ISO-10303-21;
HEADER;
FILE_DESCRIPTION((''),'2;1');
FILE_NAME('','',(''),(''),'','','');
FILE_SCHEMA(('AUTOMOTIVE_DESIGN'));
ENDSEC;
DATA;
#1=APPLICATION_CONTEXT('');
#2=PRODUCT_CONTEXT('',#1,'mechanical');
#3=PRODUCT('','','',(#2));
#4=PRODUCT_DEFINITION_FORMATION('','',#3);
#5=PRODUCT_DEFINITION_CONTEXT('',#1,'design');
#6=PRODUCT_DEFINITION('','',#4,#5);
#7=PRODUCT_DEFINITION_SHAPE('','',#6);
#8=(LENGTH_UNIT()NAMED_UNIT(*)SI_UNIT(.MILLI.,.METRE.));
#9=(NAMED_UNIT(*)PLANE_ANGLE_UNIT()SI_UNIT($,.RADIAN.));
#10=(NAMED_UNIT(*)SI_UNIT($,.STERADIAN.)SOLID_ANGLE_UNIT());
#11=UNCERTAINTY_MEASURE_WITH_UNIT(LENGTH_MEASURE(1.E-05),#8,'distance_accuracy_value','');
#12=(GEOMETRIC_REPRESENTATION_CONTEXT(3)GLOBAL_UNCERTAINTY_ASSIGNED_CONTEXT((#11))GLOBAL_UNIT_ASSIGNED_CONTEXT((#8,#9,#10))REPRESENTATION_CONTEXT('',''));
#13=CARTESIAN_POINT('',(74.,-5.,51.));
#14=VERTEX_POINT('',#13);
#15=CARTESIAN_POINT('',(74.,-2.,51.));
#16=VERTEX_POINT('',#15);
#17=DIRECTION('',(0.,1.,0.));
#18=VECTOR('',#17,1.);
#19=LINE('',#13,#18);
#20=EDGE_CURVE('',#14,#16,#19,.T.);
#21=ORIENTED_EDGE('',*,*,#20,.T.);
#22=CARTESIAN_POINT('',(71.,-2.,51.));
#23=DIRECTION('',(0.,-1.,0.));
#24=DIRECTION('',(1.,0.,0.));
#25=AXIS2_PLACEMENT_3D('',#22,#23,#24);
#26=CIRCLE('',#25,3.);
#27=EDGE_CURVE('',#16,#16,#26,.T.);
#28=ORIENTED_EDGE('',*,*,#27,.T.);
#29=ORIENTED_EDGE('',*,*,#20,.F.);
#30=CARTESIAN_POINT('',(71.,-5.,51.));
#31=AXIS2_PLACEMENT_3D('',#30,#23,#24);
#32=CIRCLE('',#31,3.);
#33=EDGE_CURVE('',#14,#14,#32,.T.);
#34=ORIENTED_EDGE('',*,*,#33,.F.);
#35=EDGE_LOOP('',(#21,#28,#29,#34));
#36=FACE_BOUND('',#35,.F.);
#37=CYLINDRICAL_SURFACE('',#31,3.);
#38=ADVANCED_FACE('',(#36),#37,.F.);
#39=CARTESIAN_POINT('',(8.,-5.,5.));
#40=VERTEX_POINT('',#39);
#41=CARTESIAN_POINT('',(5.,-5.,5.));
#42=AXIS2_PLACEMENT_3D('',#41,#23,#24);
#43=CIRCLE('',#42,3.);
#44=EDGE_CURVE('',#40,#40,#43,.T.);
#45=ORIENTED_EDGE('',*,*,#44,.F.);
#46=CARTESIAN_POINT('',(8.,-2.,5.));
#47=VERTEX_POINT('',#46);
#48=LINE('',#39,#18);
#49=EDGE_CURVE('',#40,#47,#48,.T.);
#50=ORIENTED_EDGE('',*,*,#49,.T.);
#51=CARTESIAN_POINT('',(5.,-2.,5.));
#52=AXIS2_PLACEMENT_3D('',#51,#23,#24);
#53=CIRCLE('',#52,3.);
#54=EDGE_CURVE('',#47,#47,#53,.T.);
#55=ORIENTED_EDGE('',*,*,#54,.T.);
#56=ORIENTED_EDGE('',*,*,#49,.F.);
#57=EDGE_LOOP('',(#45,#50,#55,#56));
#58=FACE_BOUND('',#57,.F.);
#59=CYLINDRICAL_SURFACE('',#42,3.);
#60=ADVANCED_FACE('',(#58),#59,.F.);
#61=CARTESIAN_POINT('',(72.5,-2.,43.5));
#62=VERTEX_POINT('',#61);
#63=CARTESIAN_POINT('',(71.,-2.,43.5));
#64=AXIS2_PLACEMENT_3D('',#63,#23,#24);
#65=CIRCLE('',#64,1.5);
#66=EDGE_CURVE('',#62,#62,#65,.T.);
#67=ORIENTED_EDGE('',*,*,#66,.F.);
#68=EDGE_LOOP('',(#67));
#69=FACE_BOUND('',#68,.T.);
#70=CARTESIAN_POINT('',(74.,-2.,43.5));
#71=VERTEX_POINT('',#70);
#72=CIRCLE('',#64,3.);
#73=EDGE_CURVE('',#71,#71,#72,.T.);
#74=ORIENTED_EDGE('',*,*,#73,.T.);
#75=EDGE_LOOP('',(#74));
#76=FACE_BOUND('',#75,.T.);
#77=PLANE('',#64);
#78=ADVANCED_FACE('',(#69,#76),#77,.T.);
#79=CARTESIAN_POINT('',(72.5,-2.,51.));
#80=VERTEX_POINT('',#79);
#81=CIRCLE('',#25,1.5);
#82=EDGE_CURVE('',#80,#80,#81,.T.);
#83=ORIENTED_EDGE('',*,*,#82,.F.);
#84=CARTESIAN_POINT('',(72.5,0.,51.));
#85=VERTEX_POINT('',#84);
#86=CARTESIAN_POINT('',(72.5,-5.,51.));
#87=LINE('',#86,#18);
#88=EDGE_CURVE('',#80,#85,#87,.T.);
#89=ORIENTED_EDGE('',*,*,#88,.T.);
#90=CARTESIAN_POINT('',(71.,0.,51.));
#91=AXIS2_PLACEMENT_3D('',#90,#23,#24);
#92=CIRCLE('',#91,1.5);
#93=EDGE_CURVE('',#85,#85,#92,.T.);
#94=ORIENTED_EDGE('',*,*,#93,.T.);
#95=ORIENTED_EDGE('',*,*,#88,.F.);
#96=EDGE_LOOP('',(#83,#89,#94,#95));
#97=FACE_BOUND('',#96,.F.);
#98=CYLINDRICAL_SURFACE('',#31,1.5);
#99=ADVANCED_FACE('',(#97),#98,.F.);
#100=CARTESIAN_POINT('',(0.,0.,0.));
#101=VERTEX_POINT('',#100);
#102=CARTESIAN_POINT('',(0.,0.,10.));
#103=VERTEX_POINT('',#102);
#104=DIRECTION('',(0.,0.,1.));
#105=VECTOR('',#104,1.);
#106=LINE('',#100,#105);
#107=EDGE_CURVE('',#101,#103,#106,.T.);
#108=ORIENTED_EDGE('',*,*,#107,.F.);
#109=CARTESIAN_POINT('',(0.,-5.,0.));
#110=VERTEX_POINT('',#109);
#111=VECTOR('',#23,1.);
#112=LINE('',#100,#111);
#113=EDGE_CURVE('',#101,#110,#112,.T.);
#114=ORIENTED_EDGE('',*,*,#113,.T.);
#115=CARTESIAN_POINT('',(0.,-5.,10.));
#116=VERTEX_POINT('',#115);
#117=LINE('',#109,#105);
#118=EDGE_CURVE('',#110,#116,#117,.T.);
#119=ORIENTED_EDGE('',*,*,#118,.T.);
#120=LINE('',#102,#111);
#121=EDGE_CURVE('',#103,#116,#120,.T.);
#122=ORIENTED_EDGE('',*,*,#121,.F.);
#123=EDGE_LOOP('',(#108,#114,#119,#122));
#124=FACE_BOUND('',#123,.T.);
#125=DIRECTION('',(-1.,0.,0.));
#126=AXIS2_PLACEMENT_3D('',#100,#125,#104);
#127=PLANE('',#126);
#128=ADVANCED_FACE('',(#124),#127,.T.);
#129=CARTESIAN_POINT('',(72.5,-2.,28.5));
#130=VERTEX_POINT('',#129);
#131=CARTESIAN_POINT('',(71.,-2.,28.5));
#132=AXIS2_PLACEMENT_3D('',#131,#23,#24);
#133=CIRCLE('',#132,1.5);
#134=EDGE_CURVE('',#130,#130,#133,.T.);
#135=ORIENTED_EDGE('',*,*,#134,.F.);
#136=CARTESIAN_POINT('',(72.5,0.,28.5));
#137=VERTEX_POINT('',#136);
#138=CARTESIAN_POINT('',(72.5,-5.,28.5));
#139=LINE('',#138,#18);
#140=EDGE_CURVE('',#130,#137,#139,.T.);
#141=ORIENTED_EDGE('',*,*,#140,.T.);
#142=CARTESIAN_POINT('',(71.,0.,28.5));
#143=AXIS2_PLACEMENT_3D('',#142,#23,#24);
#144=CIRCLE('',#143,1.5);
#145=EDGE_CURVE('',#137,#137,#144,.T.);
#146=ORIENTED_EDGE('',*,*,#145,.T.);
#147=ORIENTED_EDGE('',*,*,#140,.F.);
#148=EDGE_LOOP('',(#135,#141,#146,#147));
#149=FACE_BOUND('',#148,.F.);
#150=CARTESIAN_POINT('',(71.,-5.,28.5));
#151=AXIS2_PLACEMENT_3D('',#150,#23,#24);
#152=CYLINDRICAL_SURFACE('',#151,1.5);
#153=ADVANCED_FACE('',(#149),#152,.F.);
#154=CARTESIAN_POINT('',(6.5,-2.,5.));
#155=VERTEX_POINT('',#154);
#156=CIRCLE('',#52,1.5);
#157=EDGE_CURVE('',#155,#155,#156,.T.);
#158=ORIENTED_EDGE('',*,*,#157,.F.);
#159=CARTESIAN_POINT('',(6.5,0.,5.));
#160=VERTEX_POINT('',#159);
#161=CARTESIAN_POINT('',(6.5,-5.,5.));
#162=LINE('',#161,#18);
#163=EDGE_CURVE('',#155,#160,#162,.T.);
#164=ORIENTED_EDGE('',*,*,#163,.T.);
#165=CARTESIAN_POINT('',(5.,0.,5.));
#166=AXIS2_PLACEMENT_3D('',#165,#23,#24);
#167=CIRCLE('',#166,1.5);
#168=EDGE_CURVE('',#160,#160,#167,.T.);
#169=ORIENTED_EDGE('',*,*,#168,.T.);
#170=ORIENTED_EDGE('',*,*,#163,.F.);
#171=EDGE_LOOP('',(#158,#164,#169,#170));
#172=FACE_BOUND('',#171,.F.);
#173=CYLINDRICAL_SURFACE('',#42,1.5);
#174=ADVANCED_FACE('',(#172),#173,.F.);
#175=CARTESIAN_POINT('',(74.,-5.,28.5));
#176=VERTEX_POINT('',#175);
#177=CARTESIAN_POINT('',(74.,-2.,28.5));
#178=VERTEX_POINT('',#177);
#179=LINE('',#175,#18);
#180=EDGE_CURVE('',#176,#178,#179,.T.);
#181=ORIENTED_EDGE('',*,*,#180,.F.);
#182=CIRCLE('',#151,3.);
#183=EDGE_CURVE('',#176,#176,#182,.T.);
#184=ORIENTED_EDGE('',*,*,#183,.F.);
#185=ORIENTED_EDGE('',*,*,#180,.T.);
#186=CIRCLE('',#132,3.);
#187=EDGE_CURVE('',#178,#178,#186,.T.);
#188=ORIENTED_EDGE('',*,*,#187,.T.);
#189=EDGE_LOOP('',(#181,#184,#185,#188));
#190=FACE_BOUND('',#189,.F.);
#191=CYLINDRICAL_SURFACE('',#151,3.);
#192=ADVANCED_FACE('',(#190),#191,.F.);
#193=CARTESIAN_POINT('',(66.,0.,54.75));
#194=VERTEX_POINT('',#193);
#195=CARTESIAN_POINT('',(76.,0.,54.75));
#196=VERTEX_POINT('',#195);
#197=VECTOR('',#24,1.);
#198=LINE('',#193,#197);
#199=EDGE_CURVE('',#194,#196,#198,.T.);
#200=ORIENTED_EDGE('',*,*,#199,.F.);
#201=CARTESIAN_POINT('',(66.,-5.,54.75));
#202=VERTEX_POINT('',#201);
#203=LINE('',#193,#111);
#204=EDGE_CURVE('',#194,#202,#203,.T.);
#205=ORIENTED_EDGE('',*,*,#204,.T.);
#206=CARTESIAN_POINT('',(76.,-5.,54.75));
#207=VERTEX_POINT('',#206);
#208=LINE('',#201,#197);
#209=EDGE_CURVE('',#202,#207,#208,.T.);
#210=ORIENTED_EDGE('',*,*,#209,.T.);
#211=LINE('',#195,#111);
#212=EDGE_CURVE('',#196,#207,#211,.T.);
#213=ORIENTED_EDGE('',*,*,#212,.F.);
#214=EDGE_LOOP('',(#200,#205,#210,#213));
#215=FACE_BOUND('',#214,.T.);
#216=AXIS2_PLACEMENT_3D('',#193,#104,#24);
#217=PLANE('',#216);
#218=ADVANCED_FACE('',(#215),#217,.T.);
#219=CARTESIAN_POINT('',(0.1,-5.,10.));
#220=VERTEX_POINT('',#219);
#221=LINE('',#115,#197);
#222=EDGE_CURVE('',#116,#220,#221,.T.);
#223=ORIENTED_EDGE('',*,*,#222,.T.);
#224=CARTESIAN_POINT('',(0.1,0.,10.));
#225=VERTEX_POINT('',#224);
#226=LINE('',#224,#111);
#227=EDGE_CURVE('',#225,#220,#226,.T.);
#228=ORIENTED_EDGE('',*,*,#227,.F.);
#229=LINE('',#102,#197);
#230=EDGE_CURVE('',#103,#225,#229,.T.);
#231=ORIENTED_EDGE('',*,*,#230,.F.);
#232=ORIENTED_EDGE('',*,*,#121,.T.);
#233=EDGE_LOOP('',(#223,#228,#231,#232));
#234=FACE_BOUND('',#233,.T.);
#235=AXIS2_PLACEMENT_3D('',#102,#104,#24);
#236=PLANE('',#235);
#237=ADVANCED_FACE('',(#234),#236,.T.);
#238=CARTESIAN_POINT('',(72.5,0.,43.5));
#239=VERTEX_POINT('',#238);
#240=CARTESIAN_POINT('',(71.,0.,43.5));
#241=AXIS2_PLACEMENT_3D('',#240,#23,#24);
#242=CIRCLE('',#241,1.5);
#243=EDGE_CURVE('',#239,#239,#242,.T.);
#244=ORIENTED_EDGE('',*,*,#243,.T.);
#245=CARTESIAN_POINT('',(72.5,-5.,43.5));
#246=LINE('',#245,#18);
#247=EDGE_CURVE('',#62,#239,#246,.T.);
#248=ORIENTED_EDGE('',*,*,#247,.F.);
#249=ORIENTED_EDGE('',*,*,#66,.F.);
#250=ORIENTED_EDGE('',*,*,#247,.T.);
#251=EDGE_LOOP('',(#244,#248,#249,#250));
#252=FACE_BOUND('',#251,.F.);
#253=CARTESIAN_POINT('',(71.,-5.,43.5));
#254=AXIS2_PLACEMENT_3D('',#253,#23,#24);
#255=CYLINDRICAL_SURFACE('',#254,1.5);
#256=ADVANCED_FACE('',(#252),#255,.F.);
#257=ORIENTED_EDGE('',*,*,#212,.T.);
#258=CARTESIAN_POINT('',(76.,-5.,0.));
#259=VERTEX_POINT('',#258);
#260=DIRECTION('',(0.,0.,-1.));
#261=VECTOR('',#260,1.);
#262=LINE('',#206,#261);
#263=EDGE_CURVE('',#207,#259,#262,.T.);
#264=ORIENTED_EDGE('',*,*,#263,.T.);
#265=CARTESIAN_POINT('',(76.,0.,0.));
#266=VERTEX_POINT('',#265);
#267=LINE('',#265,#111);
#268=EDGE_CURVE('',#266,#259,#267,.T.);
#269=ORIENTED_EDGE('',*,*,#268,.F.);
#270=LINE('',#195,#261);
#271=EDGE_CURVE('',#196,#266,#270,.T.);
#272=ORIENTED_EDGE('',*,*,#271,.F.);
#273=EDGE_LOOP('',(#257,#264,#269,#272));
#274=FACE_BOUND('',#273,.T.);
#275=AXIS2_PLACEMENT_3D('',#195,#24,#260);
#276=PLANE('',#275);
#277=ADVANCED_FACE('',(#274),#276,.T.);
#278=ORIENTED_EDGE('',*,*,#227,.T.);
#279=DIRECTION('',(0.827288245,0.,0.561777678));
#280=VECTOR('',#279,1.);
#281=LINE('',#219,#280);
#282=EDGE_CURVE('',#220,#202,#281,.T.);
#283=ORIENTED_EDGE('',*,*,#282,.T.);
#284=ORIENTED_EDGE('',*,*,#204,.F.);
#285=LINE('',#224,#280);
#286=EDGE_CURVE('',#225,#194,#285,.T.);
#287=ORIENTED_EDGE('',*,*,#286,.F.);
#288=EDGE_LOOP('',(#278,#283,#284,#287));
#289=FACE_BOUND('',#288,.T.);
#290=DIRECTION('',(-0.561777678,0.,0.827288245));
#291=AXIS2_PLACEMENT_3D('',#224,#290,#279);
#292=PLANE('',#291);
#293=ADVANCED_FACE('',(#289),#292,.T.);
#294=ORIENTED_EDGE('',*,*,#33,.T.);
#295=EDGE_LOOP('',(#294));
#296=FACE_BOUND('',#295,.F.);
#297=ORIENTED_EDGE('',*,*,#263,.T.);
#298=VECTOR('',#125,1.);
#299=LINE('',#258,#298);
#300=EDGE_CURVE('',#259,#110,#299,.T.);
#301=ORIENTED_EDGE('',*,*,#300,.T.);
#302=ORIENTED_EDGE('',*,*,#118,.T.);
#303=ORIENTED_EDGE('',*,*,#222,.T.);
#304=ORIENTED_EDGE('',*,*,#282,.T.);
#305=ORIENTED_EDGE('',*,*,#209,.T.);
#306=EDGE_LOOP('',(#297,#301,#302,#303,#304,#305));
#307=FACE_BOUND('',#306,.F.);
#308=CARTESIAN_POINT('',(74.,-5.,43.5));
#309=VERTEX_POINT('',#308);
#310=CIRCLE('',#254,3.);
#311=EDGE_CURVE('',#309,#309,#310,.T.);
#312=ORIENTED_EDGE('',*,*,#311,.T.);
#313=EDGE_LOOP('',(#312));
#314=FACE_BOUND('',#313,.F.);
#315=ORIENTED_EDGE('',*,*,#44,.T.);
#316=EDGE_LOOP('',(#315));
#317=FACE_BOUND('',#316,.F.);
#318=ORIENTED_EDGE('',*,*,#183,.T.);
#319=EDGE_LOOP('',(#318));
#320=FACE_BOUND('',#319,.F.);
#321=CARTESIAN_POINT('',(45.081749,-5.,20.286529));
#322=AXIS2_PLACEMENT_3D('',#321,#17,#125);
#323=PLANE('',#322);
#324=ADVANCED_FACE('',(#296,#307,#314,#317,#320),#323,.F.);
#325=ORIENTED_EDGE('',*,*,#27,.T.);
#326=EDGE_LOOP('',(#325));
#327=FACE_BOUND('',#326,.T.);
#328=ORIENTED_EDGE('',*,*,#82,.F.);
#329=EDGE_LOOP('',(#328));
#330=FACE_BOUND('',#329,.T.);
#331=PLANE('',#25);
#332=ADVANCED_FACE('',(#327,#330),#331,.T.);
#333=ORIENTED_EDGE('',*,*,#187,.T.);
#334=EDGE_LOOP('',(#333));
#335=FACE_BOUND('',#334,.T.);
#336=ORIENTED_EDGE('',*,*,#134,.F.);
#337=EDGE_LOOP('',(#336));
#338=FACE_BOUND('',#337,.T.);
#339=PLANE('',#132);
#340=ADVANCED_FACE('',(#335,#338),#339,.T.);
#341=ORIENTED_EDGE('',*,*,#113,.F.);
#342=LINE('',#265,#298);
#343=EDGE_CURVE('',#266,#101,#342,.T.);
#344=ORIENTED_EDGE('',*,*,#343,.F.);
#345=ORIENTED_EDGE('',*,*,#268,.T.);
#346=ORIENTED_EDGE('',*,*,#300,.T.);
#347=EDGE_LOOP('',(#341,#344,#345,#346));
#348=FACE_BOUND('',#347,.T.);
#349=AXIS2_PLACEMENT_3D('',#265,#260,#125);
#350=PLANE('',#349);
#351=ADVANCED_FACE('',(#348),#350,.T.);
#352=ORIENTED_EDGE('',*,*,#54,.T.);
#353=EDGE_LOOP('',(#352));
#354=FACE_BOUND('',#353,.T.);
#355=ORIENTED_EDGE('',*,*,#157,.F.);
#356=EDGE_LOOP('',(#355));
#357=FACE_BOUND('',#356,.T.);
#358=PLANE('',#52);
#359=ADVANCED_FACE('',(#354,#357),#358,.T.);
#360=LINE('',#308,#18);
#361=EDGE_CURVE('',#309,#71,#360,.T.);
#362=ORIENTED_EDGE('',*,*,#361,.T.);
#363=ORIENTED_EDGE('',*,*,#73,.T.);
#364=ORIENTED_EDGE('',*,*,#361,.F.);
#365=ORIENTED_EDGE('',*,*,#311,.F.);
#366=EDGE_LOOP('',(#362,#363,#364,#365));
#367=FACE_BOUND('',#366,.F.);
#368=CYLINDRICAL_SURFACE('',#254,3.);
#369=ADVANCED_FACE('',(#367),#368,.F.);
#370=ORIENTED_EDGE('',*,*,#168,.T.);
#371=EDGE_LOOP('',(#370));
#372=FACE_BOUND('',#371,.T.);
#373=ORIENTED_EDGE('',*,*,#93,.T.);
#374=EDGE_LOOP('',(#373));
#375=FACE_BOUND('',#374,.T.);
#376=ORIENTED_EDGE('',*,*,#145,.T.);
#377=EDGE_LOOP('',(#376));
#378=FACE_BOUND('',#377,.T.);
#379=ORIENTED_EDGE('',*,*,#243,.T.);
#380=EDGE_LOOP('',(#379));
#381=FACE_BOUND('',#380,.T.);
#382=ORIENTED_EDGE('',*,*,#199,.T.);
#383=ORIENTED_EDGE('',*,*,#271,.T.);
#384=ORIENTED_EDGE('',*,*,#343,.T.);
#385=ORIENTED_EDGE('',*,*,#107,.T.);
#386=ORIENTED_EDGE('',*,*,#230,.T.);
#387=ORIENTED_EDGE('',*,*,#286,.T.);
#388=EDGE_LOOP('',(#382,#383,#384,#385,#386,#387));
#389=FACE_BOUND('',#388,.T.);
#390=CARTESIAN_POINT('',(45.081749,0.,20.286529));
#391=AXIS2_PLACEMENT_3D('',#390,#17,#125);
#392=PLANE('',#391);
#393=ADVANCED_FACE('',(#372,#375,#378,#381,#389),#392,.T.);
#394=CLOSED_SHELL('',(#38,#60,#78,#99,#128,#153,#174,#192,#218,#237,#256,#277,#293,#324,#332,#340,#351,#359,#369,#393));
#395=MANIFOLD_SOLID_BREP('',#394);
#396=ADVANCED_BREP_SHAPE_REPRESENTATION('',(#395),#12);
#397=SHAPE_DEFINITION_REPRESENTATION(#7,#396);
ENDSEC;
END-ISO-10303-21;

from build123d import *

# Parameters (mm, degrees)
PAD_DEPTH       = 5
SKETCH001_R     = 1.5
POCKET_DEPTH    = 5.001
SKETCH002_R     = 3
POCKET001_DEPTH = 3


with BuildPart() as part:
    # Sketch → Pad (new body)
    with BuildSketch(Plane.XZ):
        Polygon((0, 0), (0, 10), (0.1, 10), (66, 54.75), (76, 54.75), (76, 0), align=None)
    extrude(amount=PAD_DEPTH)

    # Sketch001 (on Face8 of Pad) → Pocket (cut, through all)
    with BuildSketch(Plane.XZ.offset(5)):
        with Locations((5, 5)):
            Circle(SKETCH001_R)
        with Locations((71, 51)):
            Circle(SKETCH001_R)
        with Locations((71, 43.5)):
            Circle(SKETCH001_R)
        with Locations((71, 28.5)):
            Circle(SKETCH001_R)
    extrude(amount=-POCKET_DEPTH, mode=Mode.SUBTRACT)

    # Sketch002 (on Face5 of Pocket) → Pocket001 (cut)
    with BuildSketch(Plane.XZ.offset(5)):
        with Locations((71, 28.5)):
            Circle(SKETCH002_R)
        with Locations((71, 43.5)):
            Circle(SKETCH002_R)
        with Locations((71, 51)):
            Circle(SKETCH002_R)
        with Locations((5, 5)):
            Circle(SKETCH002_R)
    extrude(amount=-POCKET001_DEPTH, mode=Mode.SUBTRACT)


solid = part.part
